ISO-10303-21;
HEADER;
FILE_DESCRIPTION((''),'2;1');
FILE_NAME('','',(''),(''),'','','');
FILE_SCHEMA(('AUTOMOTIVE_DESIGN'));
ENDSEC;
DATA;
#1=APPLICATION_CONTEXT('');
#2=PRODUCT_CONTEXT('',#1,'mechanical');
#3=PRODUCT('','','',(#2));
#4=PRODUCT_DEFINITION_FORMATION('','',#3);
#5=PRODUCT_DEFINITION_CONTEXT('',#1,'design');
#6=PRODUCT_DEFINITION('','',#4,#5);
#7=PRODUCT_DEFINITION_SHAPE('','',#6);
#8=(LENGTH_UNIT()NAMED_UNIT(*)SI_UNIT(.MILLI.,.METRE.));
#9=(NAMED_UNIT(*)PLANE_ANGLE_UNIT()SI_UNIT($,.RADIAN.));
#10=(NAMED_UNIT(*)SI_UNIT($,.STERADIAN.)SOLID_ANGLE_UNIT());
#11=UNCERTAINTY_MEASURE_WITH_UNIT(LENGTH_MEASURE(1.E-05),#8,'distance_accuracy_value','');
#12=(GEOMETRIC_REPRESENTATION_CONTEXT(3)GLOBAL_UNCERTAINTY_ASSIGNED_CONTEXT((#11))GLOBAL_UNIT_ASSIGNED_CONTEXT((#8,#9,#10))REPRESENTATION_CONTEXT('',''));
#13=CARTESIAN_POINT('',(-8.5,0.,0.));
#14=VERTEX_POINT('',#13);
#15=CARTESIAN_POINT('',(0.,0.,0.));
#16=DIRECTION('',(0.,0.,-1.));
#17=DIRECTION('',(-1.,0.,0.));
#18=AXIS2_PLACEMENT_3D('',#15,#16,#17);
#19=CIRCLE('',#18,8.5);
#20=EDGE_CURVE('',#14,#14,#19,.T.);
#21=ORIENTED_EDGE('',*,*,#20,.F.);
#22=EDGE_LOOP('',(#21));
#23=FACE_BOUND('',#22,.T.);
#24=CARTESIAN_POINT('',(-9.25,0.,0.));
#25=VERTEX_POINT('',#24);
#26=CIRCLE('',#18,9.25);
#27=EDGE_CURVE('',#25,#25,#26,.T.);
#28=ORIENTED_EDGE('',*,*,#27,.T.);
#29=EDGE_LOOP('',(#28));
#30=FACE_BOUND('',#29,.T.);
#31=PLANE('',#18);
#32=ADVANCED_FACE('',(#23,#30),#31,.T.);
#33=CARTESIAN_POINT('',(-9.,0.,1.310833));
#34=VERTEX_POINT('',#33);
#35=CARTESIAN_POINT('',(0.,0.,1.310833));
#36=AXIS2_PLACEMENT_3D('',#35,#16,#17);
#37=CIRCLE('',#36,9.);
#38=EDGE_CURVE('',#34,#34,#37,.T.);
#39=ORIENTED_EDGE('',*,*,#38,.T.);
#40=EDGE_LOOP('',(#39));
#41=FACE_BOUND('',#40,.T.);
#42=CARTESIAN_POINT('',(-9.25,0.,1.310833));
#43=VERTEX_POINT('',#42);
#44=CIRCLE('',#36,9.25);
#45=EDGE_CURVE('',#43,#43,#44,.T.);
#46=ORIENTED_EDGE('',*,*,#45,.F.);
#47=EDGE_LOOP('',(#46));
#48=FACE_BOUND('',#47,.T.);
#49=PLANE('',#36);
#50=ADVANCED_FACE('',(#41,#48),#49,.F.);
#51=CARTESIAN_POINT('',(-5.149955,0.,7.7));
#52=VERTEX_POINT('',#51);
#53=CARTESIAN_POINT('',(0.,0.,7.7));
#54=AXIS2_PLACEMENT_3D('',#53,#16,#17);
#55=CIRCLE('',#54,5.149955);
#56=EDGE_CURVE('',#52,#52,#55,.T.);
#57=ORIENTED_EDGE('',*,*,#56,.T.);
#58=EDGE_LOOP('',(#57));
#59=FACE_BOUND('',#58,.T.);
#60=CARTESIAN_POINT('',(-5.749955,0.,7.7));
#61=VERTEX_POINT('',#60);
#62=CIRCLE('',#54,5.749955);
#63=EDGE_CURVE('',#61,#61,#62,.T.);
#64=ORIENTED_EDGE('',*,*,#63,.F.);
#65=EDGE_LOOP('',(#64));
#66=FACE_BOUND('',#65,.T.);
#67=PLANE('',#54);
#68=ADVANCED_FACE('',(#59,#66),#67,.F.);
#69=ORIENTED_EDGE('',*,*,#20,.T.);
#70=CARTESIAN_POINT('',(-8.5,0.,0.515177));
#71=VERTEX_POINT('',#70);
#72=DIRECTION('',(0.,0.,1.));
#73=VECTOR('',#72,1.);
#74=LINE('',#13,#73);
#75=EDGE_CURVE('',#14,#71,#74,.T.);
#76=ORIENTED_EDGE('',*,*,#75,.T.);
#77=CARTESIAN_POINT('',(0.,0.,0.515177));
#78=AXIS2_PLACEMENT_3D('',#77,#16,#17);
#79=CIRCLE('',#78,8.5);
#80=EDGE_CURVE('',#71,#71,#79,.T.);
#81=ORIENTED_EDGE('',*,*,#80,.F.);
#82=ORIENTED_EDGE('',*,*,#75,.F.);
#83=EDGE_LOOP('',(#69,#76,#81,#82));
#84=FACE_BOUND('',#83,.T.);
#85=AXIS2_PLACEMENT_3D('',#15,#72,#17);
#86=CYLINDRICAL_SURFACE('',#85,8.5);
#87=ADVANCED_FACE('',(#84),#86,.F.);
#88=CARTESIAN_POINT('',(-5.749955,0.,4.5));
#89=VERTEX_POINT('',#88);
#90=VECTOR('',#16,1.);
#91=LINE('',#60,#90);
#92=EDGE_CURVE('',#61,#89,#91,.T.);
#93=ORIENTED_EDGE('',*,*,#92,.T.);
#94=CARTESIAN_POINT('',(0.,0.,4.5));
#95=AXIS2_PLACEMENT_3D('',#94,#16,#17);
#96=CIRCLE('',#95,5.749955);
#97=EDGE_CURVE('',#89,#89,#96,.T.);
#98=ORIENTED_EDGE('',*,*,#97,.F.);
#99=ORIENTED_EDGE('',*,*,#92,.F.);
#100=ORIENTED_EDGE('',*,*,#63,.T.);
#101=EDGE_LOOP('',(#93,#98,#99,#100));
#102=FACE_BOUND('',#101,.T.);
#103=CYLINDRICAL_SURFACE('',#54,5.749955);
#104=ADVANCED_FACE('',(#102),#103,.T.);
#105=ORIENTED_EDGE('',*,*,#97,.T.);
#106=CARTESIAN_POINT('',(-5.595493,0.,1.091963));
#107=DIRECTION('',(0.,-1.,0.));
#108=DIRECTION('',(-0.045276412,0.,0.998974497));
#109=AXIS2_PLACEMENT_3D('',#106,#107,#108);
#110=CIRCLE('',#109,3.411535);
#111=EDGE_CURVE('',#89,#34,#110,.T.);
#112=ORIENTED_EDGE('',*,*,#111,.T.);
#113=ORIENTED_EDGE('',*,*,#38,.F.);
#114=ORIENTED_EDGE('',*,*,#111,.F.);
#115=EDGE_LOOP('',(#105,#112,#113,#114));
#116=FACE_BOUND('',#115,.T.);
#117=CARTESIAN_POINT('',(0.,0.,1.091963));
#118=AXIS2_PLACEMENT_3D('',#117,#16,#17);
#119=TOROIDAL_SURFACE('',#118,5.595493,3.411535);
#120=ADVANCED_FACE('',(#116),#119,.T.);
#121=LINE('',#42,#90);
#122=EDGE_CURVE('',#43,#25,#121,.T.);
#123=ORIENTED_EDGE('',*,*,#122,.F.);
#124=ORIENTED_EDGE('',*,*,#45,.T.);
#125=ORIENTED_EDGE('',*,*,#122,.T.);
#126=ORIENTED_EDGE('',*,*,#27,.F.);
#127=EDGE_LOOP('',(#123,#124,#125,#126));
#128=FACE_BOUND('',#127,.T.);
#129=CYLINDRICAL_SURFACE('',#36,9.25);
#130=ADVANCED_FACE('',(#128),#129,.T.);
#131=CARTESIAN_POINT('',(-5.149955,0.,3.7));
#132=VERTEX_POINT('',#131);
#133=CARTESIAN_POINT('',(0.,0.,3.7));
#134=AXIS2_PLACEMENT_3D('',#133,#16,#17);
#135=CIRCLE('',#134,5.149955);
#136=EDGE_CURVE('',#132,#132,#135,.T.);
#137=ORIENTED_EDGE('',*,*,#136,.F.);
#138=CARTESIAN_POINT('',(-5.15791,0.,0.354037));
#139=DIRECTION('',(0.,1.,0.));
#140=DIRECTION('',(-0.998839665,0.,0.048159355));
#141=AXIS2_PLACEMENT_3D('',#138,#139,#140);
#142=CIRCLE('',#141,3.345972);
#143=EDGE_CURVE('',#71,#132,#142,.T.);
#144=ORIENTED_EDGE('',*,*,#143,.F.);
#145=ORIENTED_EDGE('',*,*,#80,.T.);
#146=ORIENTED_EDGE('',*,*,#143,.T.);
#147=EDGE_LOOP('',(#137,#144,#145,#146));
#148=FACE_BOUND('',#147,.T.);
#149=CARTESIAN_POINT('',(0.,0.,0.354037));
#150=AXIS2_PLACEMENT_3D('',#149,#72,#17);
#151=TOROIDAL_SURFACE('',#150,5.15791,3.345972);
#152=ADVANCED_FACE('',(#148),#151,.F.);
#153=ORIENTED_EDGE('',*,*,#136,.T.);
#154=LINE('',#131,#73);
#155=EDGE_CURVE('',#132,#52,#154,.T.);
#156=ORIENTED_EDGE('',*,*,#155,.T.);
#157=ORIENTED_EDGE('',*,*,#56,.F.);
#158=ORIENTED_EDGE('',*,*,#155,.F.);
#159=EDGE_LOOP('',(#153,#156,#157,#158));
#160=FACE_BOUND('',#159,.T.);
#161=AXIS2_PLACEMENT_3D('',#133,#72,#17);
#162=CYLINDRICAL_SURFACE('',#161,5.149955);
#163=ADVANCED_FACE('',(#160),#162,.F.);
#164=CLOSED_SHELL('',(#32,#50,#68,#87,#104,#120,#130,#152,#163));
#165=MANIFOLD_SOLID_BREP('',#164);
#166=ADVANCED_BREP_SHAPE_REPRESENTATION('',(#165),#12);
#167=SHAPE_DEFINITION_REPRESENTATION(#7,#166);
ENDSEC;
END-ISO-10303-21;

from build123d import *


with BuildPart() as f1:
    # F0 (on Front) → F1 (revolve)
    with BuildSketch(Plane.XZ):
        with BuildLine():
            Line((-5.149955, 7.7), (-5.749955, 7.7))
            Line((-5.749955, 7.7), (-5.749955, 4.5))
            ThreePointArc((-5.749955, 4.5), (-7.984899, 3.526981), (-9, 1.310833))
            Line((-9, 1.310833), (-9.25, 1.310833))
            Line((-9.25, 1.310833), (-9.25, 0))
            Line((-9.25, 0), (-8.5, 0))
            Line((-8.5, 0), (-8.5, 0.515177))
            ThreePointArc((-8.5, 0.515177), (-7.463314, 2.779041), (-5.149955, 3.7))
            Line((-5.149955, 3.7), (-5.149955, 7.7))
        make_face()
    revolve(axis=Axis((0, 0, 4.918551), (0, 0, -1)))


solid = f1.part
